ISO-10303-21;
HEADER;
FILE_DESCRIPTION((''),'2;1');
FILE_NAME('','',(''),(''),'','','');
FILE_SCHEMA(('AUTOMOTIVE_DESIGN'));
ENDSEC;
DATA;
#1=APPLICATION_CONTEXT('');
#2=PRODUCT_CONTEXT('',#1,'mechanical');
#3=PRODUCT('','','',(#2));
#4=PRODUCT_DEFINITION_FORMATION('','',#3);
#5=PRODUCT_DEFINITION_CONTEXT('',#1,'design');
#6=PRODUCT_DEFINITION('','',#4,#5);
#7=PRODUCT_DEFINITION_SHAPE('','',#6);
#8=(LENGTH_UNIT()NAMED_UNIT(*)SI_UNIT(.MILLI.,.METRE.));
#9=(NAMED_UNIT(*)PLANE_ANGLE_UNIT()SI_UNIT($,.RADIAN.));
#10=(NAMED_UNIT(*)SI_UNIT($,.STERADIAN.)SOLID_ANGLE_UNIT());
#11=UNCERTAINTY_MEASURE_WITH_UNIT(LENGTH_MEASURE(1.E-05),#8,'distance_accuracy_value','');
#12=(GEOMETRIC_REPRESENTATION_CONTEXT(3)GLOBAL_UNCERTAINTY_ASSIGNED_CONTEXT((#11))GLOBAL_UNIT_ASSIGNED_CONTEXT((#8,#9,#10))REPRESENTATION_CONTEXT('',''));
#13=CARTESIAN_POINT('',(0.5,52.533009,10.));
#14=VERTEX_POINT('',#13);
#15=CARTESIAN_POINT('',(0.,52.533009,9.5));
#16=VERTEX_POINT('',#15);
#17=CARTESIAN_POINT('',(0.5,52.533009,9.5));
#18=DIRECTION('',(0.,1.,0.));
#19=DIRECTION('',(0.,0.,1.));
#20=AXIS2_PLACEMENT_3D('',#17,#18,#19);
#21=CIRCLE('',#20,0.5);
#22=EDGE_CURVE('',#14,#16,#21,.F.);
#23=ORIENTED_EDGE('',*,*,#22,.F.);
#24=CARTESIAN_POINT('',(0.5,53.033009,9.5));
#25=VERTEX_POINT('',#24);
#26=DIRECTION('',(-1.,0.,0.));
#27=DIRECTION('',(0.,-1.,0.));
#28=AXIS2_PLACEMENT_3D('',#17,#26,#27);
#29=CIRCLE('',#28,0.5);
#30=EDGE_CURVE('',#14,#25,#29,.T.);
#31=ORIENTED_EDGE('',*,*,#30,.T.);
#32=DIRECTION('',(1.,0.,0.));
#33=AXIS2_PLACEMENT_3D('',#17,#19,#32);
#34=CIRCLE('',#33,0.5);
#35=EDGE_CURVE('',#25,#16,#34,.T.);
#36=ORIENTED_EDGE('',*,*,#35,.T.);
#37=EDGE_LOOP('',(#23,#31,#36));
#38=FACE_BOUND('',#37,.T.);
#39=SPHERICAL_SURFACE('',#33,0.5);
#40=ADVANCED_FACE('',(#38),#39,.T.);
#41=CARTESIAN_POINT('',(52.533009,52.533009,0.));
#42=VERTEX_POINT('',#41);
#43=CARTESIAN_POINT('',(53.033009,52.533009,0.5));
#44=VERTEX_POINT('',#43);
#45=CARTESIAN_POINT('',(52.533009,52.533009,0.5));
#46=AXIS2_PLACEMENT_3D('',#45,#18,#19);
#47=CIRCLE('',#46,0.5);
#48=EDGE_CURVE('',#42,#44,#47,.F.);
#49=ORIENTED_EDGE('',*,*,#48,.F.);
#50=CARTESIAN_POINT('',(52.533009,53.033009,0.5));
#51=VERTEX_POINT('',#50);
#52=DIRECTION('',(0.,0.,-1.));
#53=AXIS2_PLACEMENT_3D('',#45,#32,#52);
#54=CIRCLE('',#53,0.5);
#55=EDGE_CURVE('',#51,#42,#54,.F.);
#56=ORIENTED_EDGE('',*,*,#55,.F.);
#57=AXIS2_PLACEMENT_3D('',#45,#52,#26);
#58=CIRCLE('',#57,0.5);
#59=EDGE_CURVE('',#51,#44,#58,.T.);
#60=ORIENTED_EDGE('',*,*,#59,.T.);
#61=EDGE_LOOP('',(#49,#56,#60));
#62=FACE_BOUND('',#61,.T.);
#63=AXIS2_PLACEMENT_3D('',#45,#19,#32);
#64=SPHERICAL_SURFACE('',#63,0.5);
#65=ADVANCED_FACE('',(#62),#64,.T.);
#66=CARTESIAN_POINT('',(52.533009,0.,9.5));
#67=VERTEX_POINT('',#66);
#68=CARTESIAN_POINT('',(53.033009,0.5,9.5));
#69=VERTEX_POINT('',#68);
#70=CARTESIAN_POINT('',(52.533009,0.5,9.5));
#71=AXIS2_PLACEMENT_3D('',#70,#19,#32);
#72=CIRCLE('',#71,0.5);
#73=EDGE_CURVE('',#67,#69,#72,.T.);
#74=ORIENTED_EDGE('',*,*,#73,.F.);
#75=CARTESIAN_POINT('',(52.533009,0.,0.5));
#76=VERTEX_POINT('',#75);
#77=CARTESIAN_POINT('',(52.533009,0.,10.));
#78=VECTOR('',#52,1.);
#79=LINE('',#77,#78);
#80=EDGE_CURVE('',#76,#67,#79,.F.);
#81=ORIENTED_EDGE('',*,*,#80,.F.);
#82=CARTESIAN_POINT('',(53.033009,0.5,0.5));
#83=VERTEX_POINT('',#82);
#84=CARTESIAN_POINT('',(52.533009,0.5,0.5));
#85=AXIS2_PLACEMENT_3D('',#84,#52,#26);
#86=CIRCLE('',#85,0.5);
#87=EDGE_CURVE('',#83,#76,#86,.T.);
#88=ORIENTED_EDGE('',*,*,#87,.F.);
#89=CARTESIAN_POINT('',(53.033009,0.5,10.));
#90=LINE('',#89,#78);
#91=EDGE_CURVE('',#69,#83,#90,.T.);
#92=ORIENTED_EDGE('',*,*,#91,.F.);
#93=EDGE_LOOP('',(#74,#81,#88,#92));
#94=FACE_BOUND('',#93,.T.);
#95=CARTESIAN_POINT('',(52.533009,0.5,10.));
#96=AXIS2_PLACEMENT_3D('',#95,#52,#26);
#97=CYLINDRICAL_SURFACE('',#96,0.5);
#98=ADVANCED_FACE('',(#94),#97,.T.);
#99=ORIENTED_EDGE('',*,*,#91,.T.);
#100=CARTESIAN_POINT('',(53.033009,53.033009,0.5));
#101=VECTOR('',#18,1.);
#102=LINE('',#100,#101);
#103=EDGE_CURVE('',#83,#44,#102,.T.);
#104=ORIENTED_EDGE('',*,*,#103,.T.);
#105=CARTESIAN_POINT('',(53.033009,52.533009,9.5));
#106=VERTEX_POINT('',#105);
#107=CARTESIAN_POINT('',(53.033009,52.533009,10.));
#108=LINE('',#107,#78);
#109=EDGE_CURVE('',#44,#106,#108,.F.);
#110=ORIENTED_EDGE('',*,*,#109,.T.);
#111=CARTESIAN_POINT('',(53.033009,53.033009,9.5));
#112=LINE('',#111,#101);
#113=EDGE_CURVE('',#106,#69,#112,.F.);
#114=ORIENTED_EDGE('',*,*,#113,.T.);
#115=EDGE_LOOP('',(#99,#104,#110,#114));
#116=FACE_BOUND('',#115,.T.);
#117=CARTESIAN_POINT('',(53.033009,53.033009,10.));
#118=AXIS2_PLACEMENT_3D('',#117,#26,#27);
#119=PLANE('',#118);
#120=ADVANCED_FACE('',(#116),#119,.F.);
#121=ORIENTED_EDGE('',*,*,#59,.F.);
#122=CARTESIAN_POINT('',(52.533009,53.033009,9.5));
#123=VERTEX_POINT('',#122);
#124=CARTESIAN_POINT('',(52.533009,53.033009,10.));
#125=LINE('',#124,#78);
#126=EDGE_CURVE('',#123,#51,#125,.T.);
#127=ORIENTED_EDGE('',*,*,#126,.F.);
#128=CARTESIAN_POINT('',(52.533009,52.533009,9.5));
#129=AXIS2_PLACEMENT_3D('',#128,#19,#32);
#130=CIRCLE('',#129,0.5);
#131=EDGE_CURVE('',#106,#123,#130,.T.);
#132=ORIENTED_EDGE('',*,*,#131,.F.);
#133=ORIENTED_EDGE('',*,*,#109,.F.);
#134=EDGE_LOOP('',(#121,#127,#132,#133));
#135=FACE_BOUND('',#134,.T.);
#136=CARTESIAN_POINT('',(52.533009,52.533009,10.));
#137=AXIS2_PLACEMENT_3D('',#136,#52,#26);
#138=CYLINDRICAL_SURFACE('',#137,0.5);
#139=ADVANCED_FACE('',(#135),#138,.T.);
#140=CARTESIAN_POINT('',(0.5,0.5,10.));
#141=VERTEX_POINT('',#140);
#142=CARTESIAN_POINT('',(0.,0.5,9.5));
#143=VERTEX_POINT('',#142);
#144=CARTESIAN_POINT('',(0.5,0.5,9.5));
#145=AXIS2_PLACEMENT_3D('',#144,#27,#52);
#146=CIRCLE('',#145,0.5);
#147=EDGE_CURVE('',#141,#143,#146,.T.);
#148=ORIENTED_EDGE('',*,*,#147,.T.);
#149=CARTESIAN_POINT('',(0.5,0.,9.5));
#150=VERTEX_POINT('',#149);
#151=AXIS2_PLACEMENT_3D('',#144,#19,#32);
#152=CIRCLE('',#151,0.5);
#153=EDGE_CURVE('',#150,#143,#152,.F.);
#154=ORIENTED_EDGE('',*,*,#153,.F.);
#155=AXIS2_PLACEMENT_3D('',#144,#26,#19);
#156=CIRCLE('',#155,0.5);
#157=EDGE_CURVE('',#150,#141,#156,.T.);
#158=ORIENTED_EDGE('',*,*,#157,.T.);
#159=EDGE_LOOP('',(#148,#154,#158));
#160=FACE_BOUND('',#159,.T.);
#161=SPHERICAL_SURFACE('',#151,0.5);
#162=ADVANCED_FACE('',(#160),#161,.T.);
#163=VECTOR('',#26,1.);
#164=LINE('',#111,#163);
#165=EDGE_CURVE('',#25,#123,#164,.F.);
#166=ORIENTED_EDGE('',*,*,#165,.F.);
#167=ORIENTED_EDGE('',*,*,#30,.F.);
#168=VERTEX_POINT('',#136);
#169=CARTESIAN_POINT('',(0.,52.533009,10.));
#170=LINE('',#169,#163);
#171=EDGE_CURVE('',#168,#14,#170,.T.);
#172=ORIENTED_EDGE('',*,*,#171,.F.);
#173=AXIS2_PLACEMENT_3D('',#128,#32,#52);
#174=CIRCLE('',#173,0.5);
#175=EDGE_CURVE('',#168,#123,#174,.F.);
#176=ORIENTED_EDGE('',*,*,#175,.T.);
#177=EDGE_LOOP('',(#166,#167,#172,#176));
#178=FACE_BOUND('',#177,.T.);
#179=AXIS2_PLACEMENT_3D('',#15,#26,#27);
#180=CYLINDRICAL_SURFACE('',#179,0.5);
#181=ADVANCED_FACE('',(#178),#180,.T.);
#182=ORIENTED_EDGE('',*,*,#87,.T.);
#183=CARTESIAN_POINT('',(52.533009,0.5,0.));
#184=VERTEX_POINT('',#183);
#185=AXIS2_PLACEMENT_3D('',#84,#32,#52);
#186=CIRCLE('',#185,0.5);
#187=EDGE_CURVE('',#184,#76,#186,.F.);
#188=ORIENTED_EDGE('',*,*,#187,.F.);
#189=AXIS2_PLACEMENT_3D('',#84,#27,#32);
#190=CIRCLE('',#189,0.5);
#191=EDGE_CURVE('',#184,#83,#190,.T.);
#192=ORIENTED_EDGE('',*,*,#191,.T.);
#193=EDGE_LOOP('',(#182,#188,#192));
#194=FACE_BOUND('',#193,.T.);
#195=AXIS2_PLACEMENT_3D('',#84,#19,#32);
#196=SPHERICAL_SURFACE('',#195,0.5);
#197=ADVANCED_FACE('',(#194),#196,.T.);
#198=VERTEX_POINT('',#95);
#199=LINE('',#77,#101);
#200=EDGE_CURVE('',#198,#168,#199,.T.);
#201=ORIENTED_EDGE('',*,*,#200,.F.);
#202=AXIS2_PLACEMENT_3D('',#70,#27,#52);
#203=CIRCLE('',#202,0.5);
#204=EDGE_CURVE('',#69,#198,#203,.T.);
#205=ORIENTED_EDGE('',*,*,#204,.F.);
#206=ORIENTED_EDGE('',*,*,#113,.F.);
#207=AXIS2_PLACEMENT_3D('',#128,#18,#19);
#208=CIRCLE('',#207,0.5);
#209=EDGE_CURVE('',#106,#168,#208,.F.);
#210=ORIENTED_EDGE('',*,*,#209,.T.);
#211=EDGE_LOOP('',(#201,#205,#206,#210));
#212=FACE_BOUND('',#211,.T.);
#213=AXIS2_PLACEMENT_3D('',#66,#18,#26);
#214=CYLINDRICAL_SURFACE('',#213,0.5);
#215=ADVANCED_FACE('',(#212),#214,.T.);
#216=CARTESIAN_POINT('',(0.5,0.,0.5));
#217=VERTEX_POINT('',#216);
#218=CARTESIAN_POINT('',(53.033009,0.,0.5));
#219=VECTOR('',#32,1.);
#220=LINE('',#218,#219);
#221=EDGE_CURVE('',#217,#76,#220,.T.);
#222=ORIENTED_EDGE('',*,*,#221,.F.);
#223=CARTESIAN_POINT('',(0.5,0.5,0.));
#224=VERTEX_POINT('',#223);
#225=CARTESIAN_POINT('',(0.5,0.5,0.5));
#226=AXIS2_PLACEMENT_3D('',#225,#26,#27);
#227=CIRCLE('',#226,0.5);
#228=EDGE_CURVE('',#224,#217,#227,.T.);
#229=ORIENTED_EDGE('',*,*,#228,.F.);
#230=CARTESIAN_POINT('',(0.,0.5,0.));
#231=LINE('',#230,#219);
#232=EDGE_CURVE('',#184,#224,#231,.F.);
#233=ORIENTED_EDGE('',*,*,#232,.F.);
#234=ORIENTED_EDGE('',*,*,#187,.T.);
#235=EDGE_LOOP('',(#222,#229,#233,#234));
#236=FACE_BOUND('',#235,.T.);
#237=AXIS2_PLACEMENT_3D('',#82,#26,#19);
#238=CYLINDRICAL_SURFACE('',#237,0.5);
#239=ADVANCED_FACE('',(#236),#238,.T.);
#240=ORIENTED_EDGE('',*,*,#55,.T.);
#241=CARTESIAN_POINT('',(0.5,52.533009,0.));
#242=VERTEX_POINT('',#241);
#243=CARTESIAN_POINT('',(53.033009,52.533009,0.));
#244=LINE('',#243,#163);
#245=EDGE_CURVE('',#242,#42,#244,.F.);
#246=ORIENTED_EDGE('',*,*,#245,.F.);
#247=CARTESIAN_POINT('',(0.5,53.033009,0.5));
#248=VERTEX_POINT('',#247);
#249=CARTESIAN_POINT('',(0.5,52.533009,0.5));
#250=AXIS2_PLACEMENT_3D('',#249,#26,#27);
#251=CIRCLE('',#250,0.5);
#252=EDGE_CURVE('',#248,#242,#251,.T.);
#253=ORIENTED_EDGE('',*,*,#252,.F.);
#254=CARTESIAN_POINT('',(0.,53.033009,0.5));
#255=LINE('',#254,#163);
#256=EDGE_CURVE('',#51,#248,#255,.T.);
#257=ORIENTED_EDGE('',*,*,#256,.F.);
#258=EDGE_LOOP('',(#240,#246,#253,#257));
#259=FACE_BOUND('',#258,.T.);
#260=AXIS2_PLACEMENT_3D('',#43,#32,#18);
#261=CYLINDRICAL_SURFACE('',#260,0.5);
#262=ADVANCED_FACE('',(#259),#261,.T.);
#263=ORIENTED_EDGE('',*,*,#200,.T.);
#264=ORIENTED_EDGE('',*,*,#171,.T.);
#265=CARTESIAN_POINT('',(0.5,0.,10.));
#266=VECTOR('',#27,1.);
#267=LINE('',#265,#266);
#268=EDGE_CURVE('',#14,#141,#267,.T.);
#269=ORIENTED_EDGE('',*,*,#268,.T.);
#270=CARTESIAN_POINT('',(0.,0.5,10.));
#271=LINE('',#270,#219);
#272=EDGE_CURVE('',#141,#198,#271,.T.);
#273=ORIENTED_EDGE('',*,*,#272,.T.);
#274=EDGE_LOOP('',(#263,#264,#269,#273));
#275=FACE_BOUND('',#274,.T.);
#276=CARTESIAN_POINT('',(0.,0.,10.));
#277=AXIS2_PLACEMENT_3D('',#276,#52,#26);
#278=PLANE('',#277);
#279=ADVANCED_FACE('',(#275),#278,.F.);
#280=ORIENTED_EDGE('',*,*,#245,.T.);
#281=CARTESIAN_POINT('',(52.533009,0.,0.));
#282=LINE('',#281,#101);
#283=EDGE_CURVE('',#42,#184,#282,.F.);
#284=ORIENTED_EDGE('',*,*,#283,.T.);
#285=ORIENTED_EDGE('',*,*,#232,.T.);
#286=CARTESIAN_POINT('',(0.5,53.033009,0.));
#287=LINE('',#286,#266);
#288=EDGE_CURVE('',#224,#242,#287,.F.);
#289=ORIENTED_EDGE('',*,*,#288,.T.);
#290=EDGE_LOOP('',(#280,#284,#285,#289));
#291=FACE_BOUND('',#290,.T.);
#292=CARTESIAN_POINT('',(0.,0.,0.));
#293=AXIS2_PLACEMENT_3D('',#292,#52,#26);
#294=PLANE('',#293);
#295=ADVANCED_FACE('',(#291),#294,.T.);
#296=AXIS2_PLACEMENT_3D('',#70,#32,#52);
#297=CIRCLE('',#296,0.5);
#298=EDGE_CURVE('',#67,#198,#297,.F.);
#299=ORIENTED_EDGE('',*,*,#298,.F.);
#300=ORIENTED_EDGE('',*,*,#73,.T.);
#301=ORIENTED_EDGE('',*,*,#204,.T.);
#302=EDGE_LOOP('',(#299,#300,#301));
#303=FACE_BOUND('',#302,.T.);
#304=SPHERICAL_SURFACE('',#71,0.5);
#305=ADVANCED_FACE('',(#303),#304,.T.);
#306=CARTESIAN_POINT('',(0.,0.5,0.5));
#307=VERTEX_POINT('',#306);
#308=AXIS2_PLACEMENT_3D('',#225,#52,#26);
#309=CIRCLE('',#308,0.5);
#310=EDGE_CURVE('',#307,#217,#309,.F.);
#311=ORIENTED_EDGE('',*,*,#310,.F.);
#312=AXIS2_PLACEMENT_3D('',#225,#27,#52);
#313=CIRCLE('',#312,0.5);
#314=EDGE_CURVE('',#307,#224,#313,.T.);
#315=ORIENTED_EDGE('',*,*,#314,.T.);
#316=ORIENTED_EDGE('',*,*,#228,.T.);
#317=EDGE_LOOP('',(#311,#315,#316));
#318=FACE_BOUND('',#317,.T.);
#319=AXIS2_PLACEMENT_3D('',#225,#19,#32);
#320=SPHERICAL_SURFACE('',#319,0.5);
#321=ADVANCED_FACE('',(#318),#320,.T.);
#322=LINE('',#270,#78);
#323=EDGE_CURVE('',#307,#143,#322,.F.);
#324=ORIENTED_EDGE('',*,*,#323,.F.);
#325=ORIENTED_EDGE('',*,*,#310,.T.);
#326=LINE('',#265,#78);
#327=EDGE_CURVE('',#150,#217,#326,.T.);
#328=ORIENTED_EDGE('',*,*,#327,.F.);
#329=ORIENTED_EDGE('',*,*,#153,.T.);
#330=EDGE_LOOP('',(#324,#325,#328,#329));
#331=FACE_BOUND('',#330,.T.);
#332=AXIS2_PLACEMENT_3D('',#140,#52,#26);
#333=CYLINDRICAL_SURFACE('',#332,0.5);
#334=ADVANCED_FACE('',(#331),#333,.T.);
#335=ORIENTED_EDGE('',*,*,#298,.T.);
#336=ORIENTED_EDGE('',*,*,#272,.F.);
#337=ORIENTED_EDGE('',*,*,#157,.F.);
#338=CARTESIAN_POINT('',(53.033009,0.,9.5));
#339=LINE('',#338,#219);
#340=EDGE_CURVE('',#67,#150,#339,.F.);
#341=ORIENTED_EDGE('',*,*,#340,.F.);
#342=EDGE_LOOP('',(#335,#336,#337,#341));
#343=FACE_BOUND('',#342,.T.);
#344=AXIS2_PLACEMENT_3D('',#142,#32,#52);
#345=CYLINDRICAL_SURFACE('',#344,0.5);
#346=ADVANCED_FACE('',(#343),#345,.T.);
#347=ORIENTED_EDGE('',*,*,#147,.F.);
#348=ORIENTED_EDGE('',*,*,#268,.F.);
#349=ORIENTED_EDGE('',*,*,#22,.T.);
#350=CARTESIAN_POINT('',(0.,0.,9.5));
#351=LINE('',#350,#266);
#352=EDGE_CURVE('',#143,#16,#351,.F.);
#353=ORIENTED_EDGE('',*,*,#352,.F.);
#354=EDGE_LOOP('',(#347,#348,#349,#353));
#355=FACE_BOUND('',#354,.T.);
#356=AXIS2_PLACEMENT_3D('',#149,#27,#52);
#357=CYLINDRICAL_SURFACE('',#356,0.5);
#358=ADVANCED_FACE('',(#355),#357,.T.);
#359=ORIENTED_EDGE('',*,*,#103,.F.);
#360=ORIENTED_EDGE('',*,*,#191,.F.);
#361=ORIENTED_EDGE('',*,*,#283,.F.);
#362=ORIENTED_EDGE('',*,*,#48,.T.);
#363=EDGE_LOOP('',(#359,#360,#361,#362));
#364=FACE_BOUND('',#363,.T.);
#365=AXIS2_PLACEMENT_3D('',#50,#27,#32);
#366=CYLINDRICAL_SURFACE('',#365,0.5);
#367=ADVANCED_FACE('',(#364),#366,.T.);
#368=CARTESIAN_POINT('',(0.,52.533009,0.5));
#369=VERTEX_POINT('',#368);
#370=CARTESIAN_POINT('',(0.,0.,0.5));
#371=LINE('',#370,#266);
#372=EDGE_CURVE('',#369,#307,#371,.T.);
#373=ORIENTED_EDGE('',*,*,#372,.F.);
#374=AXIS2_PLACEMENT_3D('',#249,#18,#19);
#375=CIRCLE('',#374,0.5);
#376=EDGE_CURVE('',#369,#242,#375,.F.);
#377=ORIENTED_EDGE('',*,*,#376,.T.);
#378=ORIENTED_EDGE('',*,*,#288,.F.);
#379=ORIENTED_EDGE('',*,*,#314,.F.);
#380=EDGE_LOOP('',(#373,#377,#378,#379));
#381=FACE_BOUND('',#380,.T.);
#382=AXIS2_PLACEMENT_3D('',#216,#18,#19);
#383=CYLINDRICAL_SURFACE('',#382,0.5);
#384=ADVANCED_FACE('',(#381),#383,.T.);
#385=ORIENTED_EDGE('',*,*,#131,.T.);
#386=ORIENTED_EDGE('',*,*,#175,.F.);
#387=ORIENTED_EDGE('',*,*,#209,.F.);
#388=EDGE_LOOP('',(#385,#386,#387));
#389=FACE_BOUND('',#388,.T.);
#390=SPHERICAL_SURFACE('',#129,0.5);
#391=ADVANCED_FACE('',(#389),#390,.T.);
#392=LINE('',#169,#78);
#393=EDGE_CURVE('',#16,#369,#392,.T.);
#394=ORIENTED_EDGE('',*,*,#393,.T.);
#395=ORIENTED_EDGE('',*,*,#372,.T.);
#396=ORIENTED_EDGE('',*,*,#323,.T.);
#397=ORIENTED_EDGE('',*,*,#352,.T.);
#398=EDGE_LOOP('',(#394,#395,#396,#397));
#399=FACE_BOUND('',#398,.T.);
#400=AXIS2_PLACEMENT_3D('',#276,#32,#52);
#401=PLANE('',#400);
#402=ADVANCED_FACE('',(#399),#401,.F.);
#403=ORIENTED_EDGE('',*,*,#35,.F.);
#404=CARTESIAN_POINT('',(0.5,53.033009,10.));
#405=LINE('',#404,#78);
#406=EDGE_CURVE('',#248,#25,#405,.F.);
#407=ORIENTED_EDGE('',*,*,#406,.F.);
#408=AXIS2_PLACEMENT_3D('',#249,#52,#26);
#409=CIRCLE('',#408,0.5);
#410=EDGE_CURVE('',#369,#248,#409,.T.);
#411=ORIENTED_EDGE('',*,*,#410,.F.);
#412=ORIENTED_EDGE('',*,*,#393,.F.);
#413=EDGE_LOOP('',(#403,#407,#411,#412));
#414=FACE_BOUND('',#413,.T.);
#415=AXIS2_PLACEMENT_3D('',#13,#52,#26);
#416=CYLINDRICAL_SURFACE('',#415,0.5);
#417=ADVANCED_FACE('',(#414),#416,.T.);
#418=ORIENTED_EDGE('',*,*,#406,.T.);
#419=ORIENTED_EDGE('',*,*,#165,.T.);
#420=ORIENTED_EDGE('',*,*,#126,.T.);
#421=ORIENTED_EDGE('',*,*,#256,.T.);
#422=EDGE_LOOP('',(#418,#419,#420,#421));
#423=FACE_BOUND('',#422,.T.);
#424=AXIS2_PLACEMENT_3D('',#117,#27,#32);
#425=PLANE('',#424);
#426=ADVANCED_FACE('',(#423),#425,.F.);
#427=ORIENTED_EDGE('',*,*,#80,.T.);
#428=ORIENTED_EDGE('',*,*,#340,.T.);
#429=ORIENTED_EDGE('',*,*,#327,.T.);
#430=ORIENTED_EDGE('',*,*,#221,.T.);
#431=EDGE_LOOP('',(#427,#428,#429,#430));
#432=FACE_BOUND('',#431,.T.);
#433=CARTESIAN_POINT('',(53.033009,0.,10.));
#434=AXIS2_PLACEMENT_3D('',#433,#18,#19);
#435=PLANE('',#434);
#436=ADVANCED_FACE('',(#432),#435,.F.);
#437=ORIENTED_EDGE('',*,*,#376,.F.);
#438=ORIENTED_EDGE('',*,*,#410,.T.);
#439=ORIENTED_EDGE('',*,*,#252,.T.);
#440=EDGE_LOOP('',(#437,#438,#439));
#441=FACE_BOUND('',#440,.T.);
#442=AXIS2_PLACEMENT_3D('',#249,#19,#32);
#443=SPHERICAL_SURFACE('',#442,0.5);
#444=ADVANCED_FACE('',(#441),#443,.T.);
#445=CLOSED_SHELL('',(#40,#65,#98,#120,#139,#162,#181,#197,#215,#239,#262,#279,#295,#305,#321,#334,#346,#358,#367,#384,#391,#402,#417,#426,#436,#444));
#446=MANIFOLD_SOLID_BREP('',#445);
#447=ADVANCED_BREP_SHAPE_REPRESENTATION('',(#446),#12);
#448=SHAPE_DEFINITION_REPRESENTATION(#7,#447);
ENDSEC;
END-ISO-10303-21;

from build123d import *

# Parameters (mm, degrees)
SKETCH_1_W      = 53.033008589
SKETCH_1_H      = 53.033008589
EXTRUDE_1_DEPTH = 10
FILLET_1_R      = 0.5


with BuildPart() as part:
    # 草图1 → 凸台-拉伸1 (new body)
    with BuildSketch(Plane.XY):
        with Locations((26.516504295, 26.516504295)):
            Rectangle(SKETCH_1_W, SKETCH_1_H)
    extrude(amount=EXTRUDE_1_DEPTH)

    # 圆角1
    fillet_1_edges = [part.edges().sort_by_distance(p)[0] for p in [
        (26.516504294, 53.033008589, 10),
        (0, 26.516504294, 10),
        (26.516504294, 0, 10),
        (0, 26.516504294, 0),
        (26.516504294, 53.033008589, 0),
        (53.033008589, 26.516504294, 0),
        (26.516504294, 0, 0),
        (53.033008589, 26.516504294, 10),
        (0, 0, 5),
        (0, 53.033008589, 5),
        (53.033008589, 53.033008589, 5),
        (53.033008589, 0, 5),
    ]]
    fillet(fillet_1_edges, radius=FILLET_1_R)


solid = part.part
